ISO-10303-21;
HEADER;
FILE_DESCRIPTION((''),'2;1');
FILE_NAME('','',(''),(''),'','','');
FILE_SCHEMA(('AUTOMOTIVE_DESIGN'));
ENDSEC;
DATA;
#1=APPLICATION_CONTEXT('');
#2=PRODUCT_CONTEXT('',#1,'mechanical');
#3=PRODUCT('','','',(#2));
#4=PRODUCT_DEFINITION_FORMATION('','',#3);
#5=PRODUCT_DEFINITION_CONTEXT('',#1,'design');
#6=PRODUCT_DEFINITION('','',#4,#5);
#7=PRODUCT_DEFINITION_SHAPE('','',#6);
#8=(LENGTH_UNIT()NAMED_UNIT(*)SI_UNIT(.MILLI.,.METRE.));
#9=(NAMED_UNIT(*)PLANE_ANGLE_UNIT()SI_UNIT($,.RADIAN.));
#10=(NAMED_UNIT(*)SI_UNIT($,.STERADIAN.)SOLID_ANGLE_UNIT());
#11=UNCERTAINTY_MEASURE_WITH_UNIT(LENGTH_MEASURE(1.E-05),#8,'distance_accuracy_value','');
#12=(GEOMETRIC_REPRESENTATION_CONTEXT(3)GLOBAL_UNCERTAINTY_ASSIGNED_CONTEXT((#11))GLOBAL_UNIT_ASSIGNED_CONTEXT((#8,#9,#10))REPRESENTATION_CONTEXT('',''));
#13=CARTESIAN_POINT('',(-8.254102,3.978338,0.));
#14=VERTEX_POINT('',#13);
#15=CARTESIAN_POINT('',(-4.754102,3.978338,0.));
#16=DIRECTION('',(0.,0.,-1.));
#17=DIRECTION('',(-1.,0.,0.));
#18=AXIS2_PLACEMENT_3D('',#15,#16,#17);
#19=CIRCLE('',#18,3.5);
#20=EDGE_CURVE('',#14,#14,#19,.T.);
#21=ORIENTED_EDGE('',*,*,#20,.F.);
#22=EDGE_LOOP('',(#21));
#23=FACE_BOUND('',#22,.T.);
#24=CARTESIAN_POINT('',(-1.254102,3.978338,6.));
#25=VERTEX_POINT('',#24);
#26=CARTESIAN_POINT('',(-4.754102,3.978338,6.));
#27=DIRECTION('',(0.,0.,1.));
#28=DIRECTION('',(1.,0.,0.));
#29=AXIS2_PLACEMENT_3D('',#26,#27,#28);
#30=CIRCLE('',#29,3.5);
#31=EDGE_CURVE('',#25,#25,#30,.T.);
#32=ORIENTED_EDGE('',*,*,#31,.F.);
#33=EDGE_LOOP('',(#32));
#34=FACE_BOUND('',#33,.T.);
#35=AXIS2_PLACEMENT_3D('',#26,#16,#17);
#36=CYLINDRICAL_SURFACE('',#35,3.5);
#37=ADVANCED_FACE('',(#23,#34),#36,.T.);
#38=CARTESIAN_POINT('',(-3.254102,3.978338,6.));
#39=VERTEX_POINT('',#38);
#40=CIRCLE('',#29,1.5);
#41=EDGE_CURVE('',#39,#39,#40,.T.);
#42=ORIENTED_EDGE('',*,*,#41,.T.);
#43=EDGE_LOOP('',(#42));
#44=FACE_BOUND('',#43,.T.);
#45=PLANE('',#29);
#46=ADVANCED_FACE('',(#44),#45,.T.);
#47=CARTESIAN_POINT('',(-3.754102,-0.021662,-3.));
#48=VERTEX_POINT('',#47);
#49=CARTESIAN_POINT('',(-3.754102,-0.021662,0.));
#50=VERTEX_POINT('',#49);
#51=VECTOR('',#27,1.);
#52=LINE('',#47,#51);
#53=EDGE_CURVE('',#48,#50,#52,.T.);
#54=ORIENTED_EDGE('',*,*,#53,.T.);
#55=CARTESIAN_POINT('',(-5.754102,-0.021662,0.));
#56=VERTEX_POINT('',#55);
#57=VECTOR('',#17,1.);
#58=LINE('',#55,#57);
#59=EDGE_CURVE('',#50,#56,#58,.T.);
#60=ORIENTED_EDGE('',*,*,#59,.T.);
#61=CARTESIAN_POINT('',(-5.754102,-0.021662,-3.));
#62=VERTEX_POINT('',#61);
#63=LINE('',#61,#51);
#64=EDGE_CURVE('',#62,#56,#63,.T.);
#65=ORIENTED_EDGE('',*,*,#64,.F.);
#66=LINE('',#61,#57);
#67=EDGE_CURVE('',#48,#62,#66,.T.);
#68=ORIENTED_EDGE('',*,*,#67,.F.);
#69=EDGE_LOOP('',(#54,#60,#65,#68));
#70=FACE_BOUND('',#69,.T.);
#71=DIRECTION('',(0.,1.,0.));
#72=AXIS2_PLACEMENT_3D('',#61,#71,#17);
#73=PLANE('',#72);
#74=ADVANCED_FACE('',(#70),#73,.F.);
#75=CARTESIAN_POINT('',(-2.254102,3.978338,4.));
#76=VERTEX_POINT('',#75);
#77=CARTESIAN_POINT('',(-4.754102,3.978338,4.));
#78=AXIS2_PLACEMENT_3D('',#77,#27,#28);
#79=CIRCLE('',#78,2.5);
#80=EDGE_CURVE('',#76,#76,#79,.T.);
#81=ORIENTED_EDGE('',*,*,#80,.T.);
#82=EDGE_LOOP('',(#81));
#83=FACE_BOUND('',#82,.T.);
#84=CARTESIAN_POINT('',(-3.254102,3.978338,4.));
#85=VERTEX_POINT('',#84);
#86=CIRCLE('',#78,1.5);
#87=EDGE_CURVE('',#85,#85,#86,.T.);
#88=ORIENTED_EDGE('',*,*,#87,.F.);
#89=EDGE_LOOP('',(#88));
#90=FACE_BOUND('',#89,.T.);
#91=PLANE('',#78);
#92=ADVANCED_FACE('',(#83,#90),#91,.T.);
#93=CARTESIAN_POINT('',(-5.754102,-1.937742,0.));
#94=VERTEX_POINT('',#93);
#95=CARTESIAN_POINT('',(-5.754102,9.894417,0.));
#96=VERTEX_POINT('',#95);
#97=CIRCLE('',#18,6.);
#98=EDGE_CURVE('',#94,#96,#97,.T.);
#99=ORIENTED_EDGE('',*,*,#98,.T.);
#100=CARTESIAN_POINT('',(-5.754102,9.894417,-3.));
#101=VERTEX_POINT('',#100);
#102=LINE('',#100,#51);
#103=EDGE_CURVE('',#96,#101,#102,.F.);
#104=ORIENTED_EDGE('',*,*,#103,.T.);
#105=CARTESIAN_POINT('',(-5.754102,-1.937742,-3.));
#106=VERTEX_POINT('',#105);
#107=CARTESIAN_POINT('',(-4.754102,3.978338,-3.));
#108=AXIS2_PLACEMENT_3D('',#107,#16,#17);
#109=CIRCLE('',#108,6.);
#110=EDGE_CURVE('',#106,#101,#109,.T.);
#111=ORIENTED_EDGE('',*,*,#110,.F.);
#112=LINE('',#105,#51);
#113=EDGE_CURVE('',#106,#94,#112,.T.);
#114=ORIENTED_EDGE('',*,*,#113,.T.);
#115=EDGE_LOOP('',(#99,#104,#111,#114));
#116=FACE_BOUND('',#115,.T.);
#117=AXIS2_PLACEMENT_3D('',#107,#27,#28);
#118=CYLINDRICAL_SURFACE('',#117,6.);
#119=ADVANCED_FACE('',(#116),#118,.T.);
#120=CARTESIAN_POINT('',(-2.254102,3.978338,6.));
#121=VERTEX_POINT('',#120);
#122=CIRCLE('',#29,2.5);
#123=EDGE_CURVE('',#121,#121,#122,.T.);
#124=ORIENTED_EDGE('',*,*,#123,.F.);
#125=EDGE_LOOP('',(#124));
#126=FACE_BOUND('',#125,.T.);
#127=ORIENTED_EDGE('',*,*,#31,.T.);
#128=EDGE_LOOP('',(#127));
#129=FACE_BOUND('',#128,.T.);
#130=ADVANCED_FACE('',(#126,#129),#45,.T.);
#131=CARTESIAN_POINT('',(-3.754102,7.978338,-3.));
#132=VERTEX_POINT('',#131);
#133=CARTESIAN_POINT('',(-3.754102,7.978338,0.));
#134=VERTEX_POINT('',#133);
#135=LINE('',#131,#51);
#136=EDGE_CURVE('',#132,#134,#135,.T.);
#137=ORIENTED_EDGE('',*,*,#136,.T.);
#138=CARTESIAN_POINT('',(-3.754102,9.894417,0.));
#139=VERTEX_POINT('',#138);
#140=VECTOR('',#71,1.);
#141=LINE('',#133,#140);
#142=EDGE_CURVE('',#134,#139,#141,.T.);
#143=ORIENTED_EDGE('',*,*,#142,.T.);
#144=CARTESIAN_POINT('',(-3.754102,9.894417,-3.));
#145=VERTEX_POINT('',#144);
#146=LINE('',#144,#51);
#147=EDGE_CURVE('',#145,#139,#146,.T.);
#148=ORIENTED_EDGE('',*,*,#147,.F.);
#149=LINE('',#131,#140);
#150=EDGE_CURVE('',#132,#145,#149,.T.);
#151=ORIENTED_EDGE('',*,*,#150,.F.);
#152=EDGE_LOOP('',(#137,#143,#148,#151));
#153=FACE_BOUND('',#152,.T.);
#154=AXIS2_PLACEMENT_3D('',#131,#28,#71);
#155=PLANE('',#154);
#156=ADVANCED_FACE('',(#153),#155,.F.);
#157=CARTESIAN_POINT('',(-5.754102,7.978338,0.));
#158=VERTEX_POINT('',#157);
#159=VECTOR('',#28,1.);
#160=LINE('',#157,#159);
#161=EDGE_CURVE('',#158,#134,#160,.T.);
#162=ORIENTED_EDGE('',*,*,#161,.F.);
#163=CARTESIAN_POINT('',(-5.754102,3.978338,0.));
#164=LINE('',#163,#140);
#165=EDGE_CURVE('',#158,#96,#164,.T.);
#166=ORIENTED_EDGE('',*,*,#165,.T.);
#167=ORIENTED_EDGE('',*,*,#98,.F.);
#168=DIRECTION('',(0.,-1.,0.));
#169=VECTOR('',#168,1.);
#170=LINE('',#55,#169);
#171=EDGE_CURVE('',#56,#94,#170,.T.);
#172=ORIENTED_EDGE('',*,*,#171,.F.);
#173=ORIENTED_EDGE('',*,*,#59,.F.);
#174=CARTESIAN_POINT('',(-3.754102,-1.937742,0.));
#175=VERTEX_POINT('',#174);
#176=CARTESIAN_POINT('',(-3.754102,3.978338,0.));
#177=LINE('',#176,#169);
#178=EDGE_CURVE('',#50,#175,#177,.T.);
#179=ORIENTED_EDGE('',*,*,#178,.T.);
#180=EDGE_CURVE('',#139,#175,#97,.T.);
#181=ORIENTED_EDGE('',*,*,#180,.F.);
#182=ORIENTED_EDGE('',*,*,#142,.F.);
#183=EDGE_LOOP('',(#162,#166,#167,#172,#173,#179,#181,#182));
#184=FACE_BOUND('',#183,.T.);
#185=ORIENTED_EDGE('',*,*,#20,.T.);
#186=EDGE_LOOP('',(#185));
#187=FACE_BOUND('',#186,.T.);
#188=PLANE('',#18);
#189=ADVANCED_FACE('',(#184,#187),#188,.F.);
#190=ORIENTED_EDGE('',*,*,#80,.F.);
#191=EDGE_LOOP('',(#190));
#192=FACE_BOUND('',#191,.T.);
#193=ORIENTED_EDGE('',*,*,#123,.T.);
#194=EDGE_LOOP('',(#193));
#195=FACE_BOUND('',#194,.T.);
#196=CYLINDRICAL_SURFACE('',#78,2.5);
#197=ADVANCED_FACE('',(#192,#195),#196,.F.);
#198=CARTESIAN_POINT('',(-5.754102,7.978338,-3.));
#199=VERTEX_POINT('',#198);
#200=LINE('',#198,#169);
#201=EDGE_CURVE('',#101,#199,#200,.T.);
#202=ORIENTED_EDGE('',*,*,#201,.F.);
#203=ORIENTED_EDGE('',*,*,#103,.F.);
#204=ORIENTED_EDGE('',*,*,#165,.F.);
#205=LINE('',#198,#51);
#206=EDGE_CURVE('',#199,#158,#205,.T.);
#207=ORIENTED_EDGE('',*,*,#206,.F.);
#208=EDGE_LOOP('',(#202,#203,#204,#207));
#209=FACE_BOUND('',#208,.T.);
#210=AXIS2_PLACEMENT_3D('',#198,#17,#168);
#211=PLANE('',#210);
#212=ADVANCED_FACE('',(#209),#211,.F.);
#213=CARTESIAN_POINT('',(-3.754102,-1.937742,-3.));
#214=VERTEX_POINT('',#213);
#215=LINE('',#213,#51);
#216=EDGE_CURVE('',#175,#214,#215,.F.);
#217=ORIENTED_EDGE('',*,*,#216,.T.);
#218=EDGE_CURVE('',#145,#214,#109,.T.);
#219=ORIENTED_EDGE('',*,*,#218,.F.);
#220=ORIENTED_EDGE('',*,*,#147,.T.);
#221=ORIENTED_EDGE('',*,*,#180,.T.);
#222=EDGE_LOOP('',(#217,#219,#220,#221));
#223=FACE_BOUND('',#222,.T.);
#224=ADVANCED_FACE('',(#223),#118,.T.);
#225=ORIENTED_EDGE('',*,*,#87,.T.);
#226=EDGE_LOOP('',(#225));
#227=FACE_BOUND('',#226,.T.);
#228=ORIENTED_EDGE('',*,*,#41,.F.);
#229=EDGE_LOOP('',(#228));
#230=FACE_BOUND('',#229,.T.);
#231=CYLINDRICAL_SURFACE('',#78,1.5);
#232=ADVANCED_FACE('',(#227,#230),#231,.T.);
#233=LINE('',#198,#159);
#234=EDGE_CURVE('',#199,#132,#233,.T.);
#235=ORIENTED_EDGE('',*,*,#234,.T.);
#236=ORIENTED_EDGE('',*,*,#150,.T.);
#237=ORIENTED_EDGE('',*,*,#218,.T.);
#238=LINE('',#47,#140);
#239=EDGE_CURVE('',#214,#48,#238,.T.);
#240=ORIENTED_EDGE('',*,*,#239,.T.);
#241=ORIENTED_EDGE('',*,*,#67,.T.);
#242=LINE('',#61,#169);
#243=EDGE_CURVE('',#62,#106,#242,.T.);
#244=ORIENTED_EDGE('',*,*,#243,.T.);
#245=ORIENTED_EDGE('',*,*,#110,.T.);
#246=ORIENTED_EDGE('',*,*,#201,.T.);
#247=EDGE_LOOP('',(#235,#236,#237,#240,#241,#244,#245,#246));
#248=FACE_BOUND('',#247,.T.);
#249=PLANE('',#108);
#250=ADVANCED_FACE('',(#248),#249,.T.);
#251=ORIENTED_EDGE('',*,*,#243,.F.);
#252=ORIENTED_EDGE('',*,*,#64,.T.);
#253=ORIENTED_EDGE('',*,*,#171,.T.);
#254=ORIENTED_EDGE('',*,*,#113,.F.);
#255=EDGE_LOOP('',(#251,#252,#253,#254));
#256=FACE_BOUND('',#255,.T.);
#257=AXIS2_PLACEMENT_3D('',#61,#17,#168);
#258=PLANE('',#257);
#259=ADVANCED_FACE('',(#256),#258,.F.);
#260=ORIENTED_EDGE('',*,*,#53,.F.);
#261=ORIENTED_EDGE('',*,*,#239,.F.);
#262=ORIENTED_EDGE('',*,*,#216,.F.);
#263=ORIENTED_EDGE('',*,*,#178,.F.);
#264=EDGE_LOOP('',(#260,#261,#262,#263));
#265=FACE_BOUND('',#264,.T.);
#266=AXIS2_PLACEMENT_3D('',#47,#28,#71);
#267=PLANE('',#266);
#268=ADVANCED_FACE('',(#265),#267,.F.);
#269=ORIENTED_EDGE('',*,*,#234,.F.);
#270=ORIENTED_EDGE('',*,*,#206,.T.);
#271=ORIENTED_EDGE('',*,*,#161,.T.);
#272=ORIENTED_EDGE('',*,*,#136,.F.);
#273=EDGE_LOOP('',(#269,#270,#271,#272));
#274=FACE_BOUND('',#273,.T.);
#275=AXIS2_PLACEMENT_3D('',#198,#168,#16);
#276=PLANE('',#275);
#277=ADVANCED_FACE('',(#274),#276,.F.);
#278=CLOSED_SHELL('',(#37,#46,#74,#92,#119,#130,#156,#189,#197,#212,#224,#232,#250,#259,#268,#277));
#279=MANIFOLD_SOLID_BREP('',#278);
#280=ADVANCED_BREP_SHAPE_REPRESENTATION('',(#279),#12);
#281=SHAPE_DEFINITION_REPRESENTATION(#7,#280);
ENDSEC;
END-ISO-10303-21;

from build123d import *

# Parameters (mm, degrees)
CROQUIS1_R              = 3.5
SALIENTE_EXTRUIR1_DEPTH = 6
CROQUIS2_R              = 6
SALIENTE_EXTRUIR2_DEPTH = 3
CROQUIS3_R              = 2.5
CROQUIS3_R_2            = 1.5
CORTAR_EXTRUIR1_DEPTH   = 2
CROQUIS4_W              = 2
CROQUIS4_H              = 2
CORTAR_EXTRUIR2_DEPTH   = 4


with BuildPart() as part:
    # Croquis1 → Saliente-Extruir1 (new body)
    with BuildSketch(Plane.XY):
        with Locations((-4.754102012, 3.97833761)):
            Circle(CROQUIS1_R)
    extrude(amount=SALIENTE_EXTRUIR1_DEPTH)

    # Croquis2 → Saliente-Extruir2 (add)
    with BuildSketch(Plane(origin=(0, 0, 0), x_dir=(-1, 0, 0), z_dir=(0, 0, -1))):
        with Locations((4.754102012, 3.97833761)):
            Circle(CROQUIS2_R)
    extrude(amount=SALIENTE_EXTRUIR2_DEPTH)

    # Croquis3 → Cortar-Extruir1 (cut)
    with BuildSketch(Plane.XY.offset(6)):
        with Locations((-4.754102012, 3.97833761)):
            Circle(CROQUIS3_R)
        with Locations((-4.754102012, 3.97833761)):
            Circle(CROQUIS3_R_2, mode=Mode.SUBTRACT)
    extrude(amount=-CORTAR_EXTRUIR1_DEPTH, mode=Mode.SUBTRACT)

    # Croquis4 → Cortar-Extruir2 (cut, through all)
    with BuildSketch(Plane.XY):
        with Locations((-4.754102012, 8.97833761)):
            Rectangle(CROQUIS4_W, CROQUIS4_H)
        Polygon((-5.754102012, -0.02166239), (-3.754102012, -0.02166239), (-3.754102012, -2.02166239), (-4.754102012, -2.02166239), (-5.754102012, -2.02166239), align=None)
    extrude(amount=-CORTAR_EXTRUIR2_DEPTH, mode=Mode.SUBTRACT)


solid = part.part
